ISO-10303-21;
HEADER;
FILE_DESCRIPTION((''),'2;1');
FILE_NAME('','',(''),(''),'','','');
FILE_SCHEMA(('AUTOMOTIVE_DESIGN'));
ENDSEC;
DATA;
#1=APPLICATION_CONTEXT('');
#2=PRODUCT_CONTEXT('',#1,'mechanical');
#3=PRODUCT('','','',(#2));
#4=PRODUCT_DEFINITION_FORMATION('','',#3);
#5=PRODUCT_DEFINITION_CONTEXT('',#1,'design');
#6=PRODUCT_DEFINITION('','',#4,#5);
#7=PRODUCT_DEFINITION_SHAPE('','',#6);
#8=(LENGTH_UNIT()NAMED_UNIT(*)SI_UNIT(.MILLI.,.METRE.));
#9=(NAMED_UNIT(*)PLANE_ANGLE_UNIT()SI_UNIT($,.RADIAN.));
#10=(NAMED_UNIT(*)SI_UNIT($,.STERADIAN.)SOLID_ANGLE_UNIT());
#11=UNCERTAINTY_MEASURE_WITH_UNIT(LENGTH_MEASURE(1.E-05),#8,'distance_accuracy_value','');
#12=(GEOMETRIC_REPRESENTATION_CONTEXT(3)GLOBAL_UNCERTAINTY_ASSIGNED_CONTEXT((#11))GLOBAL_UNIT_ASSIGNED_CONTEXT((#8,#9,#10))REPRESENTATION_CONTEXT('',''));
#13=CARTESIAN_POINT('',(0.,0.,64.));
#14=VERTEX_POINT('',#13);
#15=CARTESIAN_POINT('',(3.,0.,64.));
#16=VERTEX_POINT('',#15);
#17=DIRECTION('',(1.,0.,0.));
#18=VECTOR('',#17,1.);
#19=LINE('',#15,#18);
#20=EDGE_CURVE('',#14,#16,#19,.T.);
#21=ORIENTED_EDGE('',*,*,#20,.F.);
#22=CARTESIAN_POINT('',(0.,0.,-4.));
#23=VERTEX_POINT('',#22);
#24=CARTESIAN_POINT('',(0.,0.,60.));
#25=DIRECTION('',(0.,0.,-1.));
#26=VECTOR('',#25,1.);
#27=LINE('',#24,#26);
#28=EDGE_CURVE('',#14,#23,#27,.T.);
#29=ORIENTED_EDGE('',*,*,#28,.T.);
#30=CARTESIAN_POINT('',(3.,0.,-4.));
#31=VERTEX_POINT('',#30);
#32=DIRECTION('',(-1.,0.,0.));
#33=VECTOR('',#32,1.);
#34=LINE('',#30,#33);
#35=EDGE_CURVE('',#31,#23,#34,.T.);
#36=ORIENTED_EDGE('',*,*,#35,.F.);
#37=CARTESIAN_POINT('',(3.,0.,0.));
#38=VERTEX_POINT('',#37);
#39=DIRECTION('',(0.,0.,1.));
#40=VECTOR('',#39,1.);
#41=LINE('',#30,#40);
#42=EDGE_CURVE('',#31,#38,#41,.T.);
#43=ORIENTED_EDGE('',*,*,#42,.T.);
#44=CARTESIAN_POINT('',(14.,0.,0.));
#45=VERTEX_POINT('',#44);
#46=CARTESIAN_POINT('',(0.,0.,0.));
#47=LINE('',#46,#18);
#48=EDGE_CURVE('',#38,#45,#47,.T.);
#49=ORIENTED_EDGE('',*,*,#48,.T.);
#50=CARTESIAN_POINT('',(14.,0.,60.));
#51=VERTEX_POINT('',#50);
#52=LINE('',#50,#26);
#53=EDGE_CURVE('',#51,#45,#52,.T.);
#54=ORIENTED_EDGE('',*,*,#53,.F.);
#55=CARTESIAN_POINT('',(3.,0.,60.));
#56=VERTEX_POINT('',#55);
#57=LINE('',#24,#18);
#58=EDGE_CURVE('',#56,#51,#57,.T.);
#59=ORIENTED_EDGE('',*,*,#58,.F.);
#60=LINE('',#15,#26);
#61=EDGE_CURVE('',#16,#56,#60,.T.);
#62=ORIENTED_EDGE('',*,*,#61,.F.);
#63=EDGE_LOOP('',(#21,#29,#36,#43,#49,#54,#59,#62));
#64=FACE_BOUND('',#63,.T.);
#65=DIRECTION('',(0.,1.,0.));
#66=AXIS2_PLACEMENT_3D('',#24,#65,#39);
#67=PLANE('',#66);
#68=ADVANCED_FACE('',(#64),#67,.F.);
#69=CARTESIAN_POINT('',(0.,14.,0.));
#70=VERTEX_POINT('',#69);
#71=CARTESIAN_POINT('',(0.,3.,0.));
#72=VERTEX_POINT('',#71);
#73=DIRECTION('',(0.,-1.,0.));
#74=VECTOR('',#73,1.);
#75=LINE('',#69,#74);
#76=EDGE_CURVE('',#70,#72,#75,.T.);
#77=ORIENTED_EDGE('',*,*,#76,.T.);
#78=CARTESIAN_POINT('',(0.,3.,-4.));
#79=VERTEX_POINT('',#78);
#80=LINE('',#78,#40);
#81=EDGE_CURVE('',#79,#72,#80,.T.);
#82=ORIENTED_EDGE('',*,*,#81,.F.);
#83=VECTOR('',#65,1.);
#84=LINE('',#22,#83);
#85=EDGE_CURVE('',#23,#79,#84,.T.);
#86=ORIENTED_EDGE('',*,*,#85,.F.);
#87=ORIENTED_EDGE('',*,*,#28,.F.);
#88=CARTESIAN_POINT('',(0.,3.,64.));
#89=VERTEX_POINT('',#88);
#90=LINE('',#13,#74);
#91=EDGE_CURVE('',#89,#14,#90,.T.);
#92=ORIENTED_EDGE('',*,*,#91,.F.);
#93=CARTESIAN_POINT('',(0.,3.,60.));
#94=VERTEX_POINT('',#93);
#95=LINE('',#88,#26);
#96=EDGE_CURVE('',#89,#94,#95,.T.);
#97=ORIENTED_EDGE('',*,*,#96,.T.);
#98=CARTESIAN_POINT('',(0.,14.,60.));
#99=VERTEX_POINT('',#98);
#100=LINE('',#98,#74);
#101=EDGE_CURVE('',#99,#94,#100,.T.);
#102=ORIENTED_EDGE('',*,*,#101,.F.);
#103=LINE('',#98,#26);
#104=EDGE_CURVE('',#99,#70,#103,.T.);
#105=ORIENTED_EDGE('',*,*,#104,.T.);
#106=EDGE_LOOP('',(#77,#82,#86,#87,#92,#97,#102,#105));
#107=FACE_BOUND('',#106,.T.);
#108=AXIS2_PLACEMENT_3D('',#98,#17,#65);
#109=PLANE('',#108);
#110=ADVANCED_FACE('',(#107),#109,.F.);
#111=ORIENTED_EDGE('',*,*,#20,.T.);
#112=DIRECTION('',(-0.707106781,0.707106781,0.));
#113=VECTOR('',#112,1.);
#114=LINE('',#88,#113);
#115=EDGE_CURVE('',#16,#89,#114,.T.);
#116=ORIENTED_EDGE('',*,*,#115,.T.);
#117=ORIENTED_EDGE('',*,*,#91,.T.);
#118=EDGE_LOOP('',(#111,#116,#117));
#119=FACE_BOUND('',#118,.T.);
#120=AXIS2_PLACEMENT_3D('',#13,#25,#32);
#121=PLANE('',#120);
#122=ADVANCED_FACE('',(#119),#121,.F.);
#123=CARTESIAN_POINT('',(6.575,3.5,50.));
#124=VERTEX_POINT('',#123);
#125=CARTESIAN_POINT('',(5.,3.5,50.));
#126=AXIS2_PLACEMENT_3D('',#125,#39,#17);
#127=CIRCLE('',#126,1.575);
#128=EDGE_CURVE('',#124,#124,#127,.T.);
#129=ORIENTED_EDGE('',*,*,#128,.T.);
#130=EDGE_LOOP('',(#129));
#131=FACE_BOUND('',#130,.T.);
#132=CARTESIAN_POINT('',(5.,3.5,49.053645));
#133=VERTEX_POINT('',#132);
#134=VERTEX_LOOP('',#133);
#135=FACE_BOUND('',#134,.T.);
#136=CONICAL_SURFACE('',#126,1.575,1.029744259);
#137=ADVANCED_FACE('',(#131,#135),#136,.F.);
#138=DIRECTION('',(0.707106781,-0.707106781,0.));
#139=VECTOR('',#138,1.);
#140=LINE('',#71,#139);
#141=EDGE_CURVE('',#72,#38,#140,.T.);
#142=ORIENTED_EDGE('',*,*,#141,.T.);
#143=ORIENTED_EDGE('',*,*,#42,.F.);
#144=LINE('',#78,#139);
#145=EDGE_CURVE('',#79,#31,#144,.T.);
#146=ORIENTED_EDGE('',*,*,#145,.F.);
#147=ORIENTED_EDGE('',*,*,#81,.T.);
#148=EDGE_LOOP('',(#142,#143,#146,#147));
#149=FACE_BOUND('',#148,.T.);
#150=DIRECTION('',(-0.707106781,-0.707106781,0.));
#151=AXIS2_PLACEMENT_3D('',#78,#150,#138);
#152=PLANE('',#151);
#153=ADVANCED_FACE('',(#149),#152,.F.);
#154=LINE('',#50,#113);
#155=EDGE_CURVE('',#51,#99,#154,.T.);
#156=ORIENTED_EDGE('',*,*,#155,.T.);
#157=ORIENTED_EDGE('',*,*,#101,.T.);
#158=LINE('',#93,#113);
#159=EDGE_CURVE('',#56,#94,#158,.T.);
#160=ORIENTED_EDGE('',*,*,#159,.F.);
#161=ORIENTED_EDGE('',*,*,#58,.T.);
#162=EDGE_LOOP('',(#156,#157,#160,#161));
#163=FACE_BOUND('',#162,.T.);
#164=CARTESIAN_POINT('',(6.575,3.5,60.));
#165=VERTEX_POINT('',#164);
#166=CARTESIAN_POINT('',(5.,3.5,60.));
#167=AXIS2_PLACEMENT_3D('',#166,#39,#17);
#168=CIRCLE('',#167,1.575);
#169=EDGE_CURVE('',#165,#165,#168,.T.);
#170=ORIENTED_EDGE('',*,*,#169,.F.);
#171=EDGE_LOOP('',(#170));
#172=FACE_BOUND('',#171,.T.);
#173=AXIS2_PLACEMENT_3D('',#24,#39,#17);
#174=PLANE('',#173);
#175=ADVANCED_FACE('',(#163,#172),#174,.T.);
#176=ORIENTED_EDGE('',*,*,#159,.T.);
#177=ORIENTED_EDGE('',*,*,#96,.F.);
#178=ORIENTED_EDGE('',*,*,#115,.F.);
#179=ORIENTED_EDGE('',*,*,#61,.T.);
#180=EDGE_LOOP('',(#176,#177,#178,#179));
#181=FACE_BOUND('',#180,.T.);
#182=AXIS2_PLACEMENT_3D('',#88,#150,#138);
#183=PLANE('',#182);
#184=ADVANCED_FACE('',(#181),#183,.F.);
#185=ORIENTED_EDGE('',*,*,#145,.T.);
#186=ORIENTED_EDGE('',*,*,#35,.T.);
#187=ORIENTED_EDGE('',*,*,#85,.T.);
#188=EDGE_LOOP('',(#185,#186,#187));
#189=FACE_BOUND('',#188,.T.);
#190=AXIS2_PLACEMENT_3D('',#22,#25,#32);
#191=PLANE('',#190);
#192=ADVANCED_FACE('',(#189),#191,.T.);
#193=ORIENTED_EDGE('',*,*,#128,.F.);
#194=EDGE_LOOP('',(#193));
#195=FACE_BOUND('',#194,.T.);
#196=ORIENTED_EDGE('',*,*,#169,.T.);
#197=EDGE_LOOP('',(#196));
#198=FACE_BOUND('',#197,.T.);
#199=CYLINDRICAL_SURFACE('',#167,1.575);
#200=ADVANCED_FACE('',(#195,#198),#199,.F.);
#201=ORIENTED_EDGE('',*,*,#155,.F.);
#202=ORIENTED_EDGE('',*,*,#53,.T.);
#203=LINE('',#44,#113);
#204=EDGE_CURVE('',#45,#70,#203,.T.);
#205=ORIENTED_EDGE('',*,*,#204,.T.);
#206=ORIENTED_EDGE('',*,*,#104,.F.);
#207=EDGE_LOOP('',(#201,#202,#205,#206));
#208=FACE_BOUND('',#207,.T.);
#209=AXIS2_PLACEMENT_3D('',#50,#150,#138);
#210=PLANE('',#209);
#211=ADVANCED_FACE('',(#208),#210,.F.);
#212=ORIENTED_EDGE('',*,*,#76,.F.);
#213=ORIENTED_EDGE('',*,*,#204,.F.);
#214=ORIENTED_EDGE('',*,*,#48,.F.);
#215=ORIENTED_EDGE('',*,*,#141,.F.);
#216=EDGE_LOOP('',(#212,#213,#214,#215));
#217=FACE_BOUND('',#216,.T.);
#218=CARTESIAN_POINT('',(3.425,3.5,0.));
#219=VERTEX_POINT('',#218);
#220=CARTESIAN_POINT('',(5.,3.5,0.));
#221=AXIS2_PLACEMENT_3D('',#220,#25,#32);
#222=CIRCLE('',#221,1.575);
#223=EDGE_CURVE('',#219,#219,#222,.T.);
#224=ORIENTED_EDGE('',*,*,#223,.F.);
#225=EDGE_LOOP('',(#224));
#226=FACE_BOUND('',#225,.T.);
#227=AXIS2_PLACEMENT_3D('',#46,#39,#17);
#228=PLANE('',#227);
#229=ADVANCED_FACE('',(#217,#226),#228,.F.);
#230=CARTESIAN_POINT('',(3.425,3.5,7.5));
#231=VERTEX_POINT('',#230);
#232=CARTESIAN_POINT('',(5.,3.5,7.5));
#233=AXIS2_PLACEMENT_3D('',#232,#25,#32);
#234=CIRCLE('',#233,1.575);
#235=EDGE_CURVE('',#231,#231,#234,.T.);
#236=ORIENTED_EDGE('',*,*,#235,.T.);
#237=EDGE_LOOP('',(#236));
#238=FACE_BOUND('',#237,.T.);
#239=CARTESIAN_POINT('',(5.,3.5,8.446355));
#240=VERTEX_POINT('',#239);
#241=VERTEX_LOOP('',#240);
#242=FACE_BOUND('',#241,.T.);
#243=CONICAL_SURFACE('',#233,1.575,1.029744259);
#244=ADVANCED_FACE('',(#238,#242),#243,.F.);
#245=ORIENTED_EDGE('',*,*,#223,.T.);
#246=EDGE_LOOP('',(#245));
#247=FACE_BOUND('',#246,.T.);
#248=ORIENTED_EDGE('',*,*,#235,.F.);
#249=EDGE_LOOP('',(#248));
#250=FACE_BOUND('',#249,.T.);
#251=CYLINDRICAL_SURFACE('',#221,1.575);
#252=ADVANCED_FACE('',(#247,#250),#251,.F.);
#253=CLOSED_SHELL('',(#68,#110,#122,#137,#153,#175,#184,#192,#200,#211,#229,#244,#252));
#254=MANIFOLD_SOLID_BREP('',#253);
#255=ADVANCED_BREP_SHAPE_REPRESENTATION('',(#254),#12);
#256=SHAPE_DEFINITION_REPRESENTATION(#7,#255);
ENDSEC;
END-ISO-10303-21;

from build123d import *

# Parameters (mm, degrees)
RESSALTO_EXTRUS_O1_DEPTH                    = 60
RESSALTO_EXTRUS_O2_DEPTH                    = 4
RESSALTO_EXTRUS_O3_DEPTH                    = 4
FURO_ROSCADO_PARA_CONDU_TE_DE_M3X0_51_D     = 3.15
FURO_ROSCADO_PARA_CONDU_TE_DE_M3X0_51_DEPTH = 10
FURO_ROSCADO_PARA_CONDU_TE_DE_M3X0_51_TIP   = 0.946355475
FURO_ROSCADO_PARA_CONDU_TE_DE_M3X0_52_D     = 3.15
FURO_ROSCADO_PARA_CONDU_TE_DE_M3X0_52_DEPTH = 7.5
FURO_ROSCADO_PARA_CONDU_TE_DE_M3X0_52_TIP   = 0.946355475


with BuildPart() as part:
    # Esboço1 → Ressalto-extrusão1 (new body)
    with BuildSketch(Plane.XY):
        Polygon((0, 0), (14, 0), (0, 14), align=None)
    extrude(amount=RESSALTO_EXTRUS_O1_DEPTH)

    # Esboço2 → Ressalto-extrusão2 (add)
    with BuildSketch(Plane.XY.offset(60)):
        Polygon((0, 0), (0, 3), (3, 0), align=None)
    extrude(amount=RESSALTO_EXTRUS_O2_DEPTH)

    # Esboço3 → Ressalto-extrusão3 (add)
    with BuildSketch(Plane(origin=(0, 0, 0), x_dir=(-1, 0, 0), z_dir=(0, 0, -1))):
        Polygon((0, 0), (0, 3), (-3, 0), align=None)
    extrude(amount=RESSALTO_EXTRUS_O3_DEPTH)

    # Furo roscado para conduíte de M3x0.51
    with Locations(Plane.XY.offset(60)):
        with Locations((5, 3.5)):
            Hole(FURO_ROSCADO_PARA_CONDU_TE_DE_M3X0_51_D / 2, depth=FURO_ROSCADO_PARA_CONDU_TE_DE_M3X0_51_DEPTH)
            with Locations((0, 0, -(FURO_ROSCADO_PARA_CONDU_TE_DE_M3X0_51_DEPTH + FURO_ROSCADO_PARA_CONDU_TE_DE_M3X0_51_TIP / 2))):  # 118° drill point
                Cone(0, FURO_ROSCADO_PARA_CONDU_TE_DE_M3X0_51_D / 2, FURO_ROSCADO_PARA_CONDU_TE_DE_M3X0_51_TIP, mode=Mode.SUBTRACT)

    # Furo roscado para conduíte de M3x0.52
    with Locations(Plane(origin=(0, 0, 0), x_dir=(-1, 0, 0), z_dir=(0, 0, -1))):
        with Locations((-5, 3.5)):
            Hole(FURO_ROSCADO_PARA_CONDU_TE_DE_M3X0_52_D / 2, depth=FURO_ROSCADO_PARA_CONDU_TE_DE_M3X0_52_DEPTH)
            with Locations((0, 0, -(FURO_ROSCADO_PARA_CONDU_TE_DE_M3X0_52_DEPTH + FURO_ROSCADO_PARA_CONDU_TE_DE_M3X0_52_TIP / 2))):  # 118° drill point
                Cone(0, FURO_ROSCADO_PARA_CONDU_TE_DE_M3X0_52_D / 2, FURO_ROSCADO_PARA_CONDU_TE_DE_M3X0_52_TIP, mode=Mode.SUBTRACT)


solid = part.part
